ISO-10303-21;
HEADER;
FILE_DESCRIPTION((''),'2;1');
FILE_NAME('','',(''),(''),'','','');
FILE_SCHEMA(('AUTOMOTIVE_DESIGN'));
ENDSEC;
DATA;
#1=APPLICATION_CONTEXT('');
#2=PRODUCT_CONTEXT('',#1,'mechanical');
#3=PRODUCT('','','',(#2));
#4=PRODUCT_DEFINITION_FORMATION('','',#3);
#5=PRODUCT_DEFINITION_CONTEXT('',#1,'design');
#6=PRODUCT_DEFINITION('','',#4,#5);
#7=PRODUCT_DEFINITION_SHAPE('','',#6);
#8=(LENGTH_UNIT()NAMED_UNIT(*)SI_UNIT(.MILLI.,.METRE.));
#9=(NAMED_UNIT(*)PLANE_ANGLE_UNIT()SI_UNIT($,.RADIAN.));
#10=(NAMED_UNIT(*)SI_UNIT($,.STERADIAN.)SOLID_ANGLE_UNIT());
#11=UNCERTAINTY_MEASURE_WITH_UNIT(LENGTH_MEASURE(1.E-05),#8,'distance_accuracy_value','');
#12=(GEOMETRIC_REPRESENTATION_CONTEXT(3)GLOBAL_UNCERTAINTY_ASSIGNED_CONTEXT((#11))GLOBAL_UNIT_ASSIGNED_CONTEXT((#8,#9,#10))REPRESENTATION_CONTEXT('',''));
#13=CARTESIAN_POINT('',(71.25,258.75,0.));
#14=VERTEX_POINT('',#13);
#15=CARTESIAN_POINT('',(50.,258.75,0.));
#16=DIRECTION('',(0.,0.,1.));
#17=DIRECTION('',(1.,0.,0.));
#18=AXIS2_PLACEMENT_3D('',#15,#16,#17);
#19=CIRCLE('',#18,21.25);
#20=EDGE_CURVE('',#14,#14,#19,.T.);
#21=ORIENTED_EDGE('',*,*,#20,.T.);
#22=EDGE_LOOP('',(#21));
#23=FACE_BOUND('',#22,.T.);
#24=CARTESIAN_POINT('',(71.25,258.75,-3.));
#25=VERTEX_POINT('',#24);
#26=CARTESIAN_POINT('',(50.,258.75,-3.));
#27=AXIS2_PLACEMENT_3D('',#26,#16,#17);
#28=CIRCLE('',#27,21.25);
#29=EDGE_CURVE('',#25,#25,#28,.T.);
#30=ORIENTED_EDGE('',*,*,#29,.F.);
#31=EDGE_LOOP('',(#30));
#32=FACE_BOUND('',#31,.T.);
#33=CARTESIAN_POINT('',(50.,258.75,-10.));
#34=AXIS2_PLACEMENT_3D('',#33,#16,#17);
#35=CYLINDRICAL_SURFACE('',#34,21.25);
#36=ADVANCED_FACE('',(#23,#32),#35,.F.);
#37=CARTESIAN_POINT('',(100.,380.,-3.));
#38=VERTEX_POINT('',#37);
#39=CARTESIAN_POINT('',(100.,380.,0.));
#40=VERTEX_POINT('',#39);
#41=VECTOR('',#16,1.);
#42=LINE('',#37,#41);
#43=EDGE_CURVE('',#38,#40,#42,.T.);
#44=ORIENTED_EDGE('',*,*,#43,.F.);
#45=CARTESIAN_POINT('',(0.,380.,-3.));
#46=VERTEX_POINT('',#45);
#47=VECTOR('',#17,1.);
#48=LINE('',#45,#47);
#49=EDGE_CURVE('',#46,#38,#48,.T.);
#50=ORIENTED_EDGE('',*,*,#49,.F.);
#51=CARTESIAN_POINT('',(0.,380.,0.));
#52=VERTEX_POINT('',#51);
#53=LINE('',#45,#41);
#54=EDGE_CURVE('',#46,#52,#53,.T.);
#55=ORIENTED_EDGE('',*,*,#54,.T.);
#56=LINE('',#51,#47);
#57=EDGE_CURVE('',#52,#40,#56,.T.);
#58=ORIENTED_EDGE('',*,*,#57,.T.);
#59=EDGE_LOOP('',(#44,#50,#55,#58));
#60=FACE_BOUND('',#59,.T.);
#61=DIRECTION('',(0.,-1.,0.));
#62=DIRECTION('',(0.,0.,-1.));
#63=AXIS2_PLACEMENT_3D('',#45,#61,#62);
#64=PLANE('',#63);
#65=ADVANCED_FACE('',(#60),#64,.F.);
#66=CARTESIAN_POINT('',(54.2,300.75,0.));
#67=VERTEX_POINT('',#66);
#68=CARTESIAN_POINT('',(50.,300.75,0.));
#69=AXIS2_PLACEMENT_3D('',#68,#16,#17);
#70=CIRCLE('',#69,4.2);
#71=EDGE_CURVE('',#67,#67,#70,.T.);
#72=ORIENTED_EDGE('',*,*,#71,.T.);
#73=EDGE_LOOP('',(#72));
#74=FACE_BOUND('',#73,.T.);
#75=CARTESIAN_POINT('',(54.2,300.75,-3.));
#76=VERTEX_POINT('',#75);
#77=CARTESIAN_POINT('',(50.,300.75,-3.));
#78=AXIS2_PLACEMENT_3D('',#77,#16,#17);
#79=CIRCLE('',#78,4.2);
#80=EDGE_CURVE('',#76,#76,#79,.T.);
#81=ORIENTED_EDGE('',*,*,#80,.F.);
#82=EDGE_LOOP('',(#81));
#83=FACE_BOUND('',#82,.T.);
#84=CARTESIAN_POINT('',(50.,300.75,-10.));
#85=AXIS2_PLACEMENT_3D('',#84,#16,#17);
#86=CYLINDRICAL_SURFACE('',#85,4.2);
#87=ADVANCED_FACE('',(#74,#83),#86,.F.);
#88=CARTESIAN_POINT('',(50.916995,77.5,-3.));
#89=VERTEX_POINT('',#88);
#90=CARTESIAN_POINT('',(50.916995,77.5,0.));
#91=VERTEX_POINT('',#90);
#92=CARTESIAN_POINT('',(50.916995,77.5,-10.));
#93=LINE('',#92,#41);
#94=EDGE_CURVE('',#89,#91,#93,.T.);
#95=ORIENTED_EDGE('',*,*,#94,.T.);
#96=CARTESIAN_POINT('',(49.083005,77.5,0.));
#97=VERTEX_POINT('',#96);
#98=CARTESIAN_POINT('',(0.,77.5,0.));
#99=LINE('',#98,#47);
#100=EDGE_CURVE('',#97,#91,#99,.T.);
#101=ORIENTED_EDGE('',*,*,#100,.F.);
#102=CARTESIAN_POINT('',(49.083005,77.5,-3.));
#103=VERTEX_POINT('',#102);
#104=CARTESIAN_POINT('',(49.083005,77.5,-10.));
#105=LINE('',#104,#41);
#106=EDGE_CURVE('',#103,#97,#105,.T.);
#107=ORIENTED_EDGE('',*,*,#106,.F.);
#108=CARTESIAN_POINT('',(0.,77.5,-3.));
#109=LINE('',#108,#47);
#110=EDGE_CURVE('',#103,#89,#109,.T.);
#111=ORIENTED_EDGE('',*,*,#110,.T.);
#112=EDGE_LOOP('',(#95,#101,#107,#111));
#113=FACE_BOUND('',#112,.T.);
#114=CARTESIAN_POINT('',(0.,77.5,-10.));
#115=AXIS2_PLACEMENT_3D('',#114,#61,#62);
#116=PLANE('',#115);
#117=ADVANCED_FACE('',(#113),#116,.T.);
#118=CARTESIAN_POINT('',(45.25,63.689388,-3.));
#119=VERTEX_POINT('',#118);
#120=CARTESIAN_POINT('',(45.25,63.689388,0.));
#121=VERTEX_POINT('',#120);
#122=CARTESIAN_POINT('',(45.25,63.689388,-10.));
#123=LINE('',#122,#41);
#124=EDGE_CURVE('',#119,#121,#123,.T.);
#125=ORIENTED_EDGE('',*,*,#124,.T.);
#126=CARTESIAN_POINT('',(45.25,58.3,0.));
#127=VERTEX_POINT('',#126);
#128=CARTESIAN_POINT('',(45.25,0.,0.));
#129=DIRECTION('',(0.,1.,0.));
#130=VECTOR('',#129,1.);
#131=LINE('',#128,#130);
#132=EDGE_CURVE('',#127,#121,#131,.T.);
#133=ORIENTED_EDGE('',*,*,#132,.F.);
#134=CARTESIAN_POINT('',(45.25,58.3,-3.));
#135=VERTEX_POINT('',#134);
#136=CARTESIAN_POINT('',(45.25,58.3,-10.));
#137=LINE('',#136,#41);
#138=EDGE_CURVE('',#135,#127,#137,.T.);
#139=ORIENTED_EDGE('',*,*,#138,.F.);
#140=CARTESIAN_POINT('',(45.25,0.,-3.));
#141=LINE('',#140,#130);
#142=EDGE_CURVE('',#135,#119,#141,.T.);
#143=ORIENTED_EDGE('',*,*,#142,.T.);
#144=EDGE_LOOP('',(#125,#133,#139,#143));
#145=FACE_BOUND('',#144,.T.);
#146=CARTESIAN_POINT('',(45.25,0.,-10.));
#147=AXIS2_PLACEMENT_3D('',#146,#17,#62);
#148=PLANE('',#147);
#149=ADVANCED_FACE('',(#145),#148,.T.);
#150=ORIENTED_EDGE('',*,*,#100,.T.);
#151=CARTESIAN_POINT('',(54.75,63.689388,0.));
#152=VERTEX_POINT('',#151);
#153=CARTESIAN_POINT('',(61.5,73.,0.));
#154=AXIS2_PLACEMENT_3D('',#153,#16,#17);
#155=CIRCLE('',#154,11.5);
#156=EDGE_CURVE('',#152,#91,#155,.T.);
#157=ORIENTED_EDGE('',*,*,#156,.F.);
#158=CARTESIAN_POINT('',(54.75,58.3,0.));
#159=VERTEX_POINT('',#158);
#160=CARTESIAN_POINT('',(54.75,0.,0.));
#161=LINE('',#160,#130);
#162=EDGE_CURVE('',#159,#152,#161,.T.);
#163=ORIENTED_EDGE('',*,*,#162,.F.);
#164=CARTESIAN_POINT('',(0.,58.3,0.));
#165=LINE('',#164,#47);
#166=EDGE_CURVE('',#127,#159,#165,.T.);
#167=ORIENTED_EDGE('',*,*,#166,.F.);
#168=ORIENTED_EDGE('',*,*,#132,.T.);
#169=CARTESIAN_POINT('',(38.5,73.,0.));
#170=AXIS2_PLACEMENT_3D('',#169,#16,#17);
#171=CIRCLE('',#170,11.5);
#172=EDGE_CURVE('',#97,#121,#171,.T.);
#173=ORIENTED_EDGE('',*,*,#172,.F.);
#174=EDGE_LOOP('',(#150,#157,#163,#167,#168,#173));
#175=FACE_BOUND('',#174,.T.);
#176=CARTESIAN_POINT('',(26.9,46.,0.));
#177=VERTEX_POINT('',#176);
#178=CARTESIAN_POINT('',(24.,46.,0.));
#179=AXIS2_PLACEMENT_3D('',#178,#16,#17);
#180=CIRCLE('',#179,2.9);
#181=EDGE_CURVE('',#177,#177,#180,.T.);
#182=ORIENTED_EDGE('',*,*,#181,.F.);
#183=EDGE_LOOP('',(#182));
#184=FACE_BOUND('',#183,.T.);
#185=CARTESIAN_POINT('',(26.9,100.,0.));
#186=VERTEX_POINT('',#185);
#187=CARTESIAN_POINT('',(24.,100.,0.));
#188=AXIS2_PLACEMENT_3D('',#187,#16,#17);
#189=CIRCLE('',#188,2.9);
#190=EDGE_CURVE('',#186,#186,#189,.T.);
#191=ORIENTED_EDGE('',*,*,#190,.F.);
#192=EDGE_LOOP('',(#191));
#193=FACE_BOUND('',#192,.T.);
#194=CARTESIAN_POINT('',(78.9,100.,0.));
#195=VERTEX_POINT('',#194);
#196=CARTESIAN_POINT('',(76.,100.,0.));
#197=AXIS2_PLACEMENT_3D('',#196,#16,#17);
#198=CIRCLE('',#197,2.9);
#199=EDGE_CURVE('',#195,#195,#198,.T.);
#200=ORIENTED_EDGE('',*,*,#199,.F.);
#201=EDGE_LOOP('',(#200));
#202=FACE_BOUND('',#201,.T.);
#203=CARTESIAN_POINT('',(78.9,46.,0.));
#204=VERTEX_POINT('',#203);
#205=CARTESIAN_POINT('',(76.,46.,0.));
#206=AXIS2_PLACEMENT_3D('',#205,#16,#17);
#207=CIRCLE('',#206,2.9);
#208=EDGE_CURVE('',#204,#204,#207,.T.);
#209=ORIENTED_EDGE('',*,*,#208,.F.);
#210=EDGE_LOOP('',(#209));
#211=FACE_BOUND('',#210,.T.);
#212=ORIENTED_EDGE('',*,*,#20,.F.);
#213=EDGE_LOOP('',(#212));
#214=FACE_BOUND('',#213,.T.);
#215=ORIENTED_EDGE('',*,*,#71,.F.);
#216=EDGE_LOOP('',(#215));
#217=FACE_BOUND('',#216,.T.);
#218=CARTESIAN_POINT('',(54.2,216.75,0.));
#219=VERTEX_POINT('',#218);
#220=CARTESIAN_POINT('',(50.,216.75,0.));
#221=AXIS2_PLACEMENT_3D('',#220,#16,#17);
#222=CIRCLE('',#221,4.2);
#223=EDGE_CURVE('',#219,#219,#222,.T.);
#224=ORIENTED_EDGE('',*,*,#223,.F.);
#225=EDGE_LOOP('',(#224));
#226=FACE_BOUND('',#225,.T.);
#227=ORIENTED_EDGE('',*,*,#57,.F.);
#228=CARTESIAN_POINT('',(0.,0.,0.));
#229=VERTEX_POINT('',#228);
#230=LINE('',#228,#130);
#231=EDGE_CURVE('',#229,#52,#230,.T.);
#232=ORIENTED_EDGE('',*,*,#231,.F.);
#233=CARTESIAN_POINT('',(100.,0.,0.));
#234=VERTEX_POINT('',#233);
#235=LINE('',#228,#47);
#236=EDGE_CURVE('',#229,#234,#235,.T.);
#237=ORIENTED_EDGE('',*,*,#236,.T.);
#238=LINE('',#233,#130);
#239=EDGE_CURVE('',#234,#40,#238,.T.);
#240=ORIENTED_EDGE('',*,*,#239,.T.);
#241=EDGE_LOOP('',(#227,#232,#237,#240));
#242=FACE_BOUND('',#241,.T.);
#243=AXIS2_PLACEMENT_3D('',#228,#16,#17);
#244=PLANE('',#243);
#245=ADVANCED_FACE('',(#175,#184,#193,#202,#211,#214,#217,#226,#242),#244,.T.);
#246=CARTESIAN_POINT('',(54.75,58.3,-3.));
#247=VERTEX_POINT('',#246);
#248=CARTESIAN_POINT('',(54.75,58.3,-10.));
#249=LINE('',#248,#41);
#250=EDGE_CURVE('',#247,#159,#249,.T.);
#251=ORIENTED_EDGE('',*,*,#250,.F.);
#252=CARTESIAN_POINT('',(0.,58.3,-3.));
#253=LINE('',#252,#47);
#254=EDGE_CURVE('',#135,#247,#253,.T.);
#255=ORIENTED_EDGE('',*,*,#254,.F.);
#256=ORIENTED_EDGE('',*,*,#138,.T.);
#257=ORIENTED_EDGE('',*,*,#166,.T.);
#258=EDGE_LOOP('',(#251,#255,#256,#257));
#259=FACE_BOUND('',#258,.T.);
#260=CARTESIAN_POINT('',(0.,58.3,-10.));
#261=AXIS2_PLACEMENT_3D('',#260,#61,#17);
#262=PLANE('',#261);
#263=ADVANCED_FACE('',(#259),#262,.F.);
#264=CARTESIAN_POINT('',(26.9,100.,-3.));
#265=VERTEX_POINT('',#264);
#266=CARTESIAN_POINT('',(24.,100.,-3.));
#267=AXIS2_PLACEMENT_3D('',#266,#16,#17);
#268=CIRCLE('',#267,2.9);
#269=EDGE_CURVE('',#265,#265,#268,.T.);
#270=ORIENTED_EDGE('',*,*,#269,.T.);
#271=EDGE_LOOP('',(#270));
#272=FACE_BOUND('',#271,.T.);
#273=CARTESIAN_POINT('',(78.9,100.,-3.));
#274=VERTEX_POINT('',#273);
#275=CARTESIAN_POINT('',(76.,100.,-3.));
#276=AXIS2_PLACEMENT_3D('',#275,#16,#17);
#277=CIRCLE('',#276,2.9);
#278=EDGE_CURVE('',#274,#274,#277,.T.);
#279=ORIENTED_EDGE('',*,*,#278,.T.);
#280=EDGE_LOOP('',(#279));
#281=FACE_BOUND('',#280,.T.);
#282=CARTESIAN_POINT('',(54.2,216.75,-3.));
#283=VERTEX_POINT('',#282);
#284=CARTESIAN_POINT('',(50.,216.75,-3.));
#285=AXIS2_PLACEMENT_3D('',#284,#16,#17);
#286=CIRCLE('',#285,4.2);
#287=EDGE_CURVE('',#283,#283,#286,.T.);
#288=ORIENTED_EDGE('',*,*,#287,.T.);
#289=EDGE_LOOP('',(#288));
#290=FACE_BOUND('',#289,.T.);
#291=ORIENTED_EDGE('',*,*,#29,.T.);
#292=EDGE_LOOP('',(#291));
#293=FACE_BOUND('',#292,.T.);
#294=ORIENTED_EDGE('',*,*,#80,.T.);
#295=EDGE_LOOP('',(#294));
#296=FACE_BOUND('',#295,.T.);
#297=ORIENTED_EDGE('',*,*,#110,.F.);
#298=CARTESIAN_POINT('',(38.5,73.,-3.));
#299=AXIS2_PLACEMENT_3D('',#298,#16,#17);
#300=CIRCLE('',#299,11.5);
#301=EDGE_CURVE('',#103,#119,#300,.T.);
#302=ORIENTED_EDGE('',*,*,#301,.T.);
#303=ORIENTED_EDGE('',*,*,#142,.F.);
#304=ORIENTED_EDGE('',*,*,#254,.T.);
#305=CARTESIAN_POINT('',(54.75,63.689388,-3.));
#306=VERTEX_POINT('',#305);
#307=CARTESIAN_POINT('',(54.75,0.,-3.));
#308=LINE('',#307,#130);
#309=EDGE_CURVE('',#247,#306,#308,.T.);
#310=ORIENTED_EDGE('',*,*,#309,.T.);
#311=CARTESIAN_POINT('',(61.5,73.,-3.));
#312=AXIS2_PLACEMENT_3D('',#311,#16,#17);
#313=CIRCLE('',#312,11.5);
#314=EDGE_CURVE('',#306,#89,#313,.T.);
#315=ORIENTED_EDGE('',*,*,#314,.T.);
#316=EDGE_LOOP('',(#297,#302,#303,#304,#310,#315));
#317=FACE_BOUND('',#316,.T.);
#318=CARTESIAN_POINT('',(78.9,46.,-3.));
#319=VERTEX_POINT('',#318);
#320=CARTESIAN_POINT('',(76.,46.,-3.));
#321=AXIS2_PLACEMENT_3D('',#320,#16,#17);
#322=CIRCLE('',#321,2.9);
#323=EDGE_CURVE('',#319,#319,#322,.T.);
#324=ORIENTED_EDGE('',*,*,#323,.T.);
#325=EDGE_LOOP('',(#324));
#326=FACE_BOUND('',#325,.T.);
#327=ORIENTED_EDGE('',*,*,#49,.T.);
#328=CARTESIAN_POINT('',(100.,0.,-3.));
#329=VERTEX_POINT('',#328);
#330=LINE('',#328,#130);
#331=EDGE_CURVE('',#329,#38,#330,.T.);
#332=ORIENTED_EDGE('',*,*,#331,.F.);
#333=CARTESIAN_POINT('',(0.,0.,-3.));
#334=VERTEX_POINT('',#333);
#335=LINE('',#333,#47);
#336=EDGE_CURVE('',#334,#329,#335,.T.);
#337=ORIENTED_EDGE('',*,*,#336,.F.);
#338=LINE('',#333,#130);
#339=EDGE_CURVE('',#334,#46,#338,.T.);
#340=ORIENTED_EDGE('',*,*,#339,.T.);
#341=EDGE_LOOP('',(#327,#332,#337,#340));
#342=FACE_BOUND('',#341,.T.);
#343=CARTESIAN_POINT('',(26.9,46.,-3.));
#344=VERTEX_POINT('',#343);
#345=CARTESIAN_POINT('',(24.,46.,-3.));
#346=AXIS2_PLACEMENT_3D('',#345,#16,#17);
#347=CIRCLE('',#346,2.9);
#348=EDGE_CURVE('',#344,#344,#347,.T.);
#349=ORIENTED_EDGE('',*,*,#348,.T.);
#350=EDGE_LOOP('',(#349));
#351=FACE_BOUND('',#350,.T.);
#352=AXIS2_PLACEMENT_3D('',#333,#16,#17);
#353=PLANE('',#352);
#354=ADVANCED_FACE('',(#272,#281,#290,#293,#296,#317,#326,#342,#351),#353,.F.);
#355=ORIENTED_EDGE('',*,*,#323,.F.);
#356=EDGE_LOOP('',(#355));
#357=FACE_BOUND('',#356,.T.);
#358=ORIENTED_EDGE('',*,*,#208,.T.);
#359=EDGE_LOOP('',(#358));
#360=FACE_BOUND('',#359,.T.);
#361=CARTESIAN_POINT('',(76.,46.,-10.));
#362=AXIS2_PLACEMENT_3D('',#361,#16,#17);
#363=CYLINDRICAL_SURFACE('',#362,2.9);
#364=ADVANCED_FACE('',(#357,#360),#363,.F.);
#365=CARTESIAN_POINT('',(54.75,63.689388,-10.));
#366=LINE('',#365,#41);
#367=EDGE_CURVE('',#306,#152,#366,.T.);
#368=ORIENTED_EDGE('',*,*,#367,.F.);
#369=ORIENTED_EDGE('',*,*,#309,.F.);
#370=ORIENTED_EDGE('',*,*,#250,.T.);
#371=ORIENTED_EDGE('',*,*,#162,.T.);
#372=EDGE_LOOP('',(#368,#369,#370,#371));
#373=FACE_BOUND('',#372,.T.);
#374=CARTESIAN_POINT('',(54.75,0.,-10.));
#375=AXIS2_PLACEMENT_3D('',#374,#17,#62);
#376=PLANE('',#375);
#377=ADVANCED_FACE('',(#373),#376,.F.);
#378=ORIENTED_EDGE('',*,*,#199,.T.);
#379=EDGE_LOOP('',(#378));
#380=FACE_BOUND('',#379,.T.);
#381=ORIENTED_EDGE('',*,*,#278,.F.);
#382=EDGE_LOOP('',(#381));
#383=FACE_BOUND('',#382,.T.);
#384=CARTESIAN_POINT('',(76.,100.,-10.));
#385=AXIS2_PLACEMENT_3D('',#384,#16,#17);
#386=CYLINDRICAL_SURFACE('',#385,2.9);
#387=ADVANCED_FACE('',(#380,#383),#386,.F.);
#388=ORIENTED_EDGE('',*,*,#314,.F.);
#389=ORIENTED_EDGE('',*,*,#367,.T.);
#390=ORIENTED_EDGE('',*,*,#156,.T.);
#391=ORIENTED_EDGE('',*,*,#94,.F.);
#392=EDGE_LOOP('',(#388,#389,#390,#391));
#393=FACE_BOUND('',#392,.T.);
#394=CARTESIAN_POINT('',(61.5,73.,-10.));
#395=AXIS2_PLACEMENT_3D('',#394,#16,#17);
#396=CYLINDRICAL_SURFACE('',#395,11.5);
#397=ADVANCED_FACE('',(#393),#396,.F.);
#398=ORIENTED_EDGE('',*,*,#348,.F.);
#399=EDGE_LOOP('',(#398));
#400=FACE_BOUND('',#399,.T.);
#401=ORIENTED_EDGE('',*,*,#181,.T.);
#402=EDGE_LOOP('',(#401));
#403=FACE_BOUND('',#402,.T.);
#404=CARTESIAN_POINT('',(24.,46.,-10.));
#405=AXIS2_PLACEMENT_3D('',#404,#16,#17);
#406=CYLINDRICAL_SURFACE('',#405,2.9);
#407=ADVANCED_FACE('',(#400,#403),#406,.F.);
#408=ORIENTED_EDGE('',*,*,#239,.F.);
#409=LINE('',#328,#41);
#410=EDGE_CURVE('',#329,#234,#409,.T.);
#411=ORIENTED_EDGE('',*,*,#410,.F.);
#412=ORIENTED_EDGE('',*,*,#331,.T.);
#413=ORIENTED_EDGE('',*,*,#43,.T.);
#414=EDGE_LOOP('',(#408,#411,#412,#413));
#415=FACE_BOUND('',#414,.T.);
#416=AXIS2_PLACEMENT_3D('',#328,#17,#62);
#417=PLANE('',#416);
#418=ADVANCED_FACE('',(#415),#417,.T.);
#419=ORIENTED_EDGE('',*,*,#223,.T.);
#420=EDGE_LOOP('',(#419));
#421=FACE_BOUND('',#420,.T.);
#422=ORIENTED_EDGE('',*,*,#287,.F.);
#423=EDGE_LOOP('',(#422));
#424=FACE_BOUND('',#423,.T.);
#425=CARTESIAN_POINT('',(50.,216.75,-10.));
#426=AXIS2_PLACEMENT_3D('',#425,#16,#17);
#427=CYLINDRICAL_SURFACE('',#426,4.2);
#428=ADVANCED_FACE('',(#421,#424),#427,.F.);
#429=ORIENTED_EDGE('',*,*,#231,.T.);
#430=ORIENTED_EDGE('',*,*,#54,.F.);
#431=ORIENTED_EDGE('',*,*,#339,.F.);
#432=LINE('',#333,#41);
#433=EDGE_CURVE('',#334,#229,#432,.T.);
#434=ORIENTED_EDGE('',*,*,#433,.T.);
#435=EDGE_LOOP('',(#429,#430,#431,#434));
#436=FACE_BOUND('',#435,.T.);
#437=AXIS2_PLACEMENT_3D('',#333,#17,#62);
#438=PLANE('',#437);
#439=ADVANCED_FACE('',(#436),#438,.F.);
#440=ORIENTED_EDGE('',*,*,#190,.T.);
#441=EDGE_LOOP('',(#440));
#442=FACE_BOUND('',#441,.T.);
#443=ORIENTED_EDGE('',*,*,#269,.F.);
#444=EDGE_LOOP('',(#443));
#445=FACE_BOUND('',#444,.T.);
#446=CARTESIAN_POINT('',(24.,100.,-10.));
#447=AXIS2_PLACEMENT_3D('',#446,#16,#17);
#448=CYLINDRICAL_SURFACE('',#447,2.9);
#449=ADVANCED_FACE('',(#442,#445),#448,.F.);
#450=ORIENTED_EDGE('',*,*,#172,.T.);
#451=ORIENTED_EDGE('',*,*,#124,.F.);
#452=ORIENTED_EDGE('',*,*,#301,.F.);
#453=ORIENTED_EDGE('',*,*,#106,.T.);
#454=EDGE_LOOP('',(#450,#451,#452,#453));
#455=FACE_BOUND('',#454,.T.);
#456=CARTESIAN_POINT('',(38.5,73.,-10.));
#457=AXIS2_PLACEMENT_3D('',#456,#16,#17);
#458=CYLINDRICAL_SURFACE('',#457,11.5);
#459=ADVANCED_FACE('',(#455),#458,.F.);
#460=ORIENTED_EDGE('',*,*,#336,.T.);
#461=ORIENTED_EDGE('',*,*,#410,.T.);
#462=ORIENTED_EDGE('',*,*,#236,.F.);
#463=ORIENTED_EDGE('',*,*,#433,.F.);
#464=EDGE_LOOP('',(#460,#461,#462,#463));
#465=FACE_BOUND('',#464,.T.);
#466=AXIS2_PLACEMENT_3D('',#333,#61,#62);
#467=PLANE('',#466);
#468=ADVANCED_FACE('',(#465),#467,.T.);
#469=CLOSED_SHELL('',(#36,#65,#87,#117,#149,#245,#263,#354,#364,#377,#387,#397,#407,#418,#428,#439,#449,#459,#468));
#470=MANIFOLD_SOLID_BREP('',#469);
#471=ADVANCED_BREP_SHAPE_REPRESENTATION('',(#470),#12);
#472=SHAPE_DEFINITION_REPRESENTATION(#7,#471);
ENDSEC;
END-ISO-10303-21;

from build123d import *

# Parameters (mm, degrees)
SKETCH1_W           = 100
SKETCH1_H           = 380
BOSS_EXTRUDE1_DEPTH = 3
SKETCH1_4_R         = 2.9
SKETCH1_4_R_2       = 4.2
SKETCH1_4_R_3       = 21.25
CUT_EXTRUDE1_DEPTH  = 10


with BuildPart() as part:
    # Sketch1 → Boss-Extrude1 (new body)
    with BuildSketch(Plane.XY):
        with Locations((50, 190)):
            Rectangle(SKETCH1_W, SKETCH1_H)
    extrude(amount=-BOSS_EXTRUDE1_DEPTH)

    # Sketch1<4> → Cut-Extrude1 (cut)
    with BuildSketch(Plane.XY):
        with Locations((24, 100)):
            Circle(SKETCH1_4_R)
        with Locations((76, 100)):
            Circle(SKETCH1_4_R)
        with Locations((24, 46)):
            Circle(SKETCH1_4_R)
        with BuildLine():
            Line((54.75, 58.3), (54.75, 63.689387775))
            ThreePointArc((54.75, 63.689387775), (72.581133525, 76.075464159), (50.916994756, 77.5))
            Line((50.916994756, 77.5), (49.083005244, 77.5))
            ThreePointArc((49.083005244, 77.5), (27.418866475, 76.075464159), (45.25, 63.689387775))
            Line((45.25, 63.689387775), (45.25, 58.3))
            Line((45.25, 58.3), (50, 58.3))
            Line((50, 58.3), (54.75, 58.3))
        make_face()
        with Locations((50, 300.75)):
            Circle(SKETCH1_4_R_2)
        with Locations((50, 258.75)):
            Circle(SKETCH1_4_R_3)
        with Locations((50, 216.75)):
            Circle(SKETCH1_4_R_2)
        with Locations((76, 46)):
            Circle(SKETCH1_4_R)
    extrude(amount=-CUT_EXTRUDE1_DEPTH, mode=Mode.SUBTRACT)


solid = part.part
